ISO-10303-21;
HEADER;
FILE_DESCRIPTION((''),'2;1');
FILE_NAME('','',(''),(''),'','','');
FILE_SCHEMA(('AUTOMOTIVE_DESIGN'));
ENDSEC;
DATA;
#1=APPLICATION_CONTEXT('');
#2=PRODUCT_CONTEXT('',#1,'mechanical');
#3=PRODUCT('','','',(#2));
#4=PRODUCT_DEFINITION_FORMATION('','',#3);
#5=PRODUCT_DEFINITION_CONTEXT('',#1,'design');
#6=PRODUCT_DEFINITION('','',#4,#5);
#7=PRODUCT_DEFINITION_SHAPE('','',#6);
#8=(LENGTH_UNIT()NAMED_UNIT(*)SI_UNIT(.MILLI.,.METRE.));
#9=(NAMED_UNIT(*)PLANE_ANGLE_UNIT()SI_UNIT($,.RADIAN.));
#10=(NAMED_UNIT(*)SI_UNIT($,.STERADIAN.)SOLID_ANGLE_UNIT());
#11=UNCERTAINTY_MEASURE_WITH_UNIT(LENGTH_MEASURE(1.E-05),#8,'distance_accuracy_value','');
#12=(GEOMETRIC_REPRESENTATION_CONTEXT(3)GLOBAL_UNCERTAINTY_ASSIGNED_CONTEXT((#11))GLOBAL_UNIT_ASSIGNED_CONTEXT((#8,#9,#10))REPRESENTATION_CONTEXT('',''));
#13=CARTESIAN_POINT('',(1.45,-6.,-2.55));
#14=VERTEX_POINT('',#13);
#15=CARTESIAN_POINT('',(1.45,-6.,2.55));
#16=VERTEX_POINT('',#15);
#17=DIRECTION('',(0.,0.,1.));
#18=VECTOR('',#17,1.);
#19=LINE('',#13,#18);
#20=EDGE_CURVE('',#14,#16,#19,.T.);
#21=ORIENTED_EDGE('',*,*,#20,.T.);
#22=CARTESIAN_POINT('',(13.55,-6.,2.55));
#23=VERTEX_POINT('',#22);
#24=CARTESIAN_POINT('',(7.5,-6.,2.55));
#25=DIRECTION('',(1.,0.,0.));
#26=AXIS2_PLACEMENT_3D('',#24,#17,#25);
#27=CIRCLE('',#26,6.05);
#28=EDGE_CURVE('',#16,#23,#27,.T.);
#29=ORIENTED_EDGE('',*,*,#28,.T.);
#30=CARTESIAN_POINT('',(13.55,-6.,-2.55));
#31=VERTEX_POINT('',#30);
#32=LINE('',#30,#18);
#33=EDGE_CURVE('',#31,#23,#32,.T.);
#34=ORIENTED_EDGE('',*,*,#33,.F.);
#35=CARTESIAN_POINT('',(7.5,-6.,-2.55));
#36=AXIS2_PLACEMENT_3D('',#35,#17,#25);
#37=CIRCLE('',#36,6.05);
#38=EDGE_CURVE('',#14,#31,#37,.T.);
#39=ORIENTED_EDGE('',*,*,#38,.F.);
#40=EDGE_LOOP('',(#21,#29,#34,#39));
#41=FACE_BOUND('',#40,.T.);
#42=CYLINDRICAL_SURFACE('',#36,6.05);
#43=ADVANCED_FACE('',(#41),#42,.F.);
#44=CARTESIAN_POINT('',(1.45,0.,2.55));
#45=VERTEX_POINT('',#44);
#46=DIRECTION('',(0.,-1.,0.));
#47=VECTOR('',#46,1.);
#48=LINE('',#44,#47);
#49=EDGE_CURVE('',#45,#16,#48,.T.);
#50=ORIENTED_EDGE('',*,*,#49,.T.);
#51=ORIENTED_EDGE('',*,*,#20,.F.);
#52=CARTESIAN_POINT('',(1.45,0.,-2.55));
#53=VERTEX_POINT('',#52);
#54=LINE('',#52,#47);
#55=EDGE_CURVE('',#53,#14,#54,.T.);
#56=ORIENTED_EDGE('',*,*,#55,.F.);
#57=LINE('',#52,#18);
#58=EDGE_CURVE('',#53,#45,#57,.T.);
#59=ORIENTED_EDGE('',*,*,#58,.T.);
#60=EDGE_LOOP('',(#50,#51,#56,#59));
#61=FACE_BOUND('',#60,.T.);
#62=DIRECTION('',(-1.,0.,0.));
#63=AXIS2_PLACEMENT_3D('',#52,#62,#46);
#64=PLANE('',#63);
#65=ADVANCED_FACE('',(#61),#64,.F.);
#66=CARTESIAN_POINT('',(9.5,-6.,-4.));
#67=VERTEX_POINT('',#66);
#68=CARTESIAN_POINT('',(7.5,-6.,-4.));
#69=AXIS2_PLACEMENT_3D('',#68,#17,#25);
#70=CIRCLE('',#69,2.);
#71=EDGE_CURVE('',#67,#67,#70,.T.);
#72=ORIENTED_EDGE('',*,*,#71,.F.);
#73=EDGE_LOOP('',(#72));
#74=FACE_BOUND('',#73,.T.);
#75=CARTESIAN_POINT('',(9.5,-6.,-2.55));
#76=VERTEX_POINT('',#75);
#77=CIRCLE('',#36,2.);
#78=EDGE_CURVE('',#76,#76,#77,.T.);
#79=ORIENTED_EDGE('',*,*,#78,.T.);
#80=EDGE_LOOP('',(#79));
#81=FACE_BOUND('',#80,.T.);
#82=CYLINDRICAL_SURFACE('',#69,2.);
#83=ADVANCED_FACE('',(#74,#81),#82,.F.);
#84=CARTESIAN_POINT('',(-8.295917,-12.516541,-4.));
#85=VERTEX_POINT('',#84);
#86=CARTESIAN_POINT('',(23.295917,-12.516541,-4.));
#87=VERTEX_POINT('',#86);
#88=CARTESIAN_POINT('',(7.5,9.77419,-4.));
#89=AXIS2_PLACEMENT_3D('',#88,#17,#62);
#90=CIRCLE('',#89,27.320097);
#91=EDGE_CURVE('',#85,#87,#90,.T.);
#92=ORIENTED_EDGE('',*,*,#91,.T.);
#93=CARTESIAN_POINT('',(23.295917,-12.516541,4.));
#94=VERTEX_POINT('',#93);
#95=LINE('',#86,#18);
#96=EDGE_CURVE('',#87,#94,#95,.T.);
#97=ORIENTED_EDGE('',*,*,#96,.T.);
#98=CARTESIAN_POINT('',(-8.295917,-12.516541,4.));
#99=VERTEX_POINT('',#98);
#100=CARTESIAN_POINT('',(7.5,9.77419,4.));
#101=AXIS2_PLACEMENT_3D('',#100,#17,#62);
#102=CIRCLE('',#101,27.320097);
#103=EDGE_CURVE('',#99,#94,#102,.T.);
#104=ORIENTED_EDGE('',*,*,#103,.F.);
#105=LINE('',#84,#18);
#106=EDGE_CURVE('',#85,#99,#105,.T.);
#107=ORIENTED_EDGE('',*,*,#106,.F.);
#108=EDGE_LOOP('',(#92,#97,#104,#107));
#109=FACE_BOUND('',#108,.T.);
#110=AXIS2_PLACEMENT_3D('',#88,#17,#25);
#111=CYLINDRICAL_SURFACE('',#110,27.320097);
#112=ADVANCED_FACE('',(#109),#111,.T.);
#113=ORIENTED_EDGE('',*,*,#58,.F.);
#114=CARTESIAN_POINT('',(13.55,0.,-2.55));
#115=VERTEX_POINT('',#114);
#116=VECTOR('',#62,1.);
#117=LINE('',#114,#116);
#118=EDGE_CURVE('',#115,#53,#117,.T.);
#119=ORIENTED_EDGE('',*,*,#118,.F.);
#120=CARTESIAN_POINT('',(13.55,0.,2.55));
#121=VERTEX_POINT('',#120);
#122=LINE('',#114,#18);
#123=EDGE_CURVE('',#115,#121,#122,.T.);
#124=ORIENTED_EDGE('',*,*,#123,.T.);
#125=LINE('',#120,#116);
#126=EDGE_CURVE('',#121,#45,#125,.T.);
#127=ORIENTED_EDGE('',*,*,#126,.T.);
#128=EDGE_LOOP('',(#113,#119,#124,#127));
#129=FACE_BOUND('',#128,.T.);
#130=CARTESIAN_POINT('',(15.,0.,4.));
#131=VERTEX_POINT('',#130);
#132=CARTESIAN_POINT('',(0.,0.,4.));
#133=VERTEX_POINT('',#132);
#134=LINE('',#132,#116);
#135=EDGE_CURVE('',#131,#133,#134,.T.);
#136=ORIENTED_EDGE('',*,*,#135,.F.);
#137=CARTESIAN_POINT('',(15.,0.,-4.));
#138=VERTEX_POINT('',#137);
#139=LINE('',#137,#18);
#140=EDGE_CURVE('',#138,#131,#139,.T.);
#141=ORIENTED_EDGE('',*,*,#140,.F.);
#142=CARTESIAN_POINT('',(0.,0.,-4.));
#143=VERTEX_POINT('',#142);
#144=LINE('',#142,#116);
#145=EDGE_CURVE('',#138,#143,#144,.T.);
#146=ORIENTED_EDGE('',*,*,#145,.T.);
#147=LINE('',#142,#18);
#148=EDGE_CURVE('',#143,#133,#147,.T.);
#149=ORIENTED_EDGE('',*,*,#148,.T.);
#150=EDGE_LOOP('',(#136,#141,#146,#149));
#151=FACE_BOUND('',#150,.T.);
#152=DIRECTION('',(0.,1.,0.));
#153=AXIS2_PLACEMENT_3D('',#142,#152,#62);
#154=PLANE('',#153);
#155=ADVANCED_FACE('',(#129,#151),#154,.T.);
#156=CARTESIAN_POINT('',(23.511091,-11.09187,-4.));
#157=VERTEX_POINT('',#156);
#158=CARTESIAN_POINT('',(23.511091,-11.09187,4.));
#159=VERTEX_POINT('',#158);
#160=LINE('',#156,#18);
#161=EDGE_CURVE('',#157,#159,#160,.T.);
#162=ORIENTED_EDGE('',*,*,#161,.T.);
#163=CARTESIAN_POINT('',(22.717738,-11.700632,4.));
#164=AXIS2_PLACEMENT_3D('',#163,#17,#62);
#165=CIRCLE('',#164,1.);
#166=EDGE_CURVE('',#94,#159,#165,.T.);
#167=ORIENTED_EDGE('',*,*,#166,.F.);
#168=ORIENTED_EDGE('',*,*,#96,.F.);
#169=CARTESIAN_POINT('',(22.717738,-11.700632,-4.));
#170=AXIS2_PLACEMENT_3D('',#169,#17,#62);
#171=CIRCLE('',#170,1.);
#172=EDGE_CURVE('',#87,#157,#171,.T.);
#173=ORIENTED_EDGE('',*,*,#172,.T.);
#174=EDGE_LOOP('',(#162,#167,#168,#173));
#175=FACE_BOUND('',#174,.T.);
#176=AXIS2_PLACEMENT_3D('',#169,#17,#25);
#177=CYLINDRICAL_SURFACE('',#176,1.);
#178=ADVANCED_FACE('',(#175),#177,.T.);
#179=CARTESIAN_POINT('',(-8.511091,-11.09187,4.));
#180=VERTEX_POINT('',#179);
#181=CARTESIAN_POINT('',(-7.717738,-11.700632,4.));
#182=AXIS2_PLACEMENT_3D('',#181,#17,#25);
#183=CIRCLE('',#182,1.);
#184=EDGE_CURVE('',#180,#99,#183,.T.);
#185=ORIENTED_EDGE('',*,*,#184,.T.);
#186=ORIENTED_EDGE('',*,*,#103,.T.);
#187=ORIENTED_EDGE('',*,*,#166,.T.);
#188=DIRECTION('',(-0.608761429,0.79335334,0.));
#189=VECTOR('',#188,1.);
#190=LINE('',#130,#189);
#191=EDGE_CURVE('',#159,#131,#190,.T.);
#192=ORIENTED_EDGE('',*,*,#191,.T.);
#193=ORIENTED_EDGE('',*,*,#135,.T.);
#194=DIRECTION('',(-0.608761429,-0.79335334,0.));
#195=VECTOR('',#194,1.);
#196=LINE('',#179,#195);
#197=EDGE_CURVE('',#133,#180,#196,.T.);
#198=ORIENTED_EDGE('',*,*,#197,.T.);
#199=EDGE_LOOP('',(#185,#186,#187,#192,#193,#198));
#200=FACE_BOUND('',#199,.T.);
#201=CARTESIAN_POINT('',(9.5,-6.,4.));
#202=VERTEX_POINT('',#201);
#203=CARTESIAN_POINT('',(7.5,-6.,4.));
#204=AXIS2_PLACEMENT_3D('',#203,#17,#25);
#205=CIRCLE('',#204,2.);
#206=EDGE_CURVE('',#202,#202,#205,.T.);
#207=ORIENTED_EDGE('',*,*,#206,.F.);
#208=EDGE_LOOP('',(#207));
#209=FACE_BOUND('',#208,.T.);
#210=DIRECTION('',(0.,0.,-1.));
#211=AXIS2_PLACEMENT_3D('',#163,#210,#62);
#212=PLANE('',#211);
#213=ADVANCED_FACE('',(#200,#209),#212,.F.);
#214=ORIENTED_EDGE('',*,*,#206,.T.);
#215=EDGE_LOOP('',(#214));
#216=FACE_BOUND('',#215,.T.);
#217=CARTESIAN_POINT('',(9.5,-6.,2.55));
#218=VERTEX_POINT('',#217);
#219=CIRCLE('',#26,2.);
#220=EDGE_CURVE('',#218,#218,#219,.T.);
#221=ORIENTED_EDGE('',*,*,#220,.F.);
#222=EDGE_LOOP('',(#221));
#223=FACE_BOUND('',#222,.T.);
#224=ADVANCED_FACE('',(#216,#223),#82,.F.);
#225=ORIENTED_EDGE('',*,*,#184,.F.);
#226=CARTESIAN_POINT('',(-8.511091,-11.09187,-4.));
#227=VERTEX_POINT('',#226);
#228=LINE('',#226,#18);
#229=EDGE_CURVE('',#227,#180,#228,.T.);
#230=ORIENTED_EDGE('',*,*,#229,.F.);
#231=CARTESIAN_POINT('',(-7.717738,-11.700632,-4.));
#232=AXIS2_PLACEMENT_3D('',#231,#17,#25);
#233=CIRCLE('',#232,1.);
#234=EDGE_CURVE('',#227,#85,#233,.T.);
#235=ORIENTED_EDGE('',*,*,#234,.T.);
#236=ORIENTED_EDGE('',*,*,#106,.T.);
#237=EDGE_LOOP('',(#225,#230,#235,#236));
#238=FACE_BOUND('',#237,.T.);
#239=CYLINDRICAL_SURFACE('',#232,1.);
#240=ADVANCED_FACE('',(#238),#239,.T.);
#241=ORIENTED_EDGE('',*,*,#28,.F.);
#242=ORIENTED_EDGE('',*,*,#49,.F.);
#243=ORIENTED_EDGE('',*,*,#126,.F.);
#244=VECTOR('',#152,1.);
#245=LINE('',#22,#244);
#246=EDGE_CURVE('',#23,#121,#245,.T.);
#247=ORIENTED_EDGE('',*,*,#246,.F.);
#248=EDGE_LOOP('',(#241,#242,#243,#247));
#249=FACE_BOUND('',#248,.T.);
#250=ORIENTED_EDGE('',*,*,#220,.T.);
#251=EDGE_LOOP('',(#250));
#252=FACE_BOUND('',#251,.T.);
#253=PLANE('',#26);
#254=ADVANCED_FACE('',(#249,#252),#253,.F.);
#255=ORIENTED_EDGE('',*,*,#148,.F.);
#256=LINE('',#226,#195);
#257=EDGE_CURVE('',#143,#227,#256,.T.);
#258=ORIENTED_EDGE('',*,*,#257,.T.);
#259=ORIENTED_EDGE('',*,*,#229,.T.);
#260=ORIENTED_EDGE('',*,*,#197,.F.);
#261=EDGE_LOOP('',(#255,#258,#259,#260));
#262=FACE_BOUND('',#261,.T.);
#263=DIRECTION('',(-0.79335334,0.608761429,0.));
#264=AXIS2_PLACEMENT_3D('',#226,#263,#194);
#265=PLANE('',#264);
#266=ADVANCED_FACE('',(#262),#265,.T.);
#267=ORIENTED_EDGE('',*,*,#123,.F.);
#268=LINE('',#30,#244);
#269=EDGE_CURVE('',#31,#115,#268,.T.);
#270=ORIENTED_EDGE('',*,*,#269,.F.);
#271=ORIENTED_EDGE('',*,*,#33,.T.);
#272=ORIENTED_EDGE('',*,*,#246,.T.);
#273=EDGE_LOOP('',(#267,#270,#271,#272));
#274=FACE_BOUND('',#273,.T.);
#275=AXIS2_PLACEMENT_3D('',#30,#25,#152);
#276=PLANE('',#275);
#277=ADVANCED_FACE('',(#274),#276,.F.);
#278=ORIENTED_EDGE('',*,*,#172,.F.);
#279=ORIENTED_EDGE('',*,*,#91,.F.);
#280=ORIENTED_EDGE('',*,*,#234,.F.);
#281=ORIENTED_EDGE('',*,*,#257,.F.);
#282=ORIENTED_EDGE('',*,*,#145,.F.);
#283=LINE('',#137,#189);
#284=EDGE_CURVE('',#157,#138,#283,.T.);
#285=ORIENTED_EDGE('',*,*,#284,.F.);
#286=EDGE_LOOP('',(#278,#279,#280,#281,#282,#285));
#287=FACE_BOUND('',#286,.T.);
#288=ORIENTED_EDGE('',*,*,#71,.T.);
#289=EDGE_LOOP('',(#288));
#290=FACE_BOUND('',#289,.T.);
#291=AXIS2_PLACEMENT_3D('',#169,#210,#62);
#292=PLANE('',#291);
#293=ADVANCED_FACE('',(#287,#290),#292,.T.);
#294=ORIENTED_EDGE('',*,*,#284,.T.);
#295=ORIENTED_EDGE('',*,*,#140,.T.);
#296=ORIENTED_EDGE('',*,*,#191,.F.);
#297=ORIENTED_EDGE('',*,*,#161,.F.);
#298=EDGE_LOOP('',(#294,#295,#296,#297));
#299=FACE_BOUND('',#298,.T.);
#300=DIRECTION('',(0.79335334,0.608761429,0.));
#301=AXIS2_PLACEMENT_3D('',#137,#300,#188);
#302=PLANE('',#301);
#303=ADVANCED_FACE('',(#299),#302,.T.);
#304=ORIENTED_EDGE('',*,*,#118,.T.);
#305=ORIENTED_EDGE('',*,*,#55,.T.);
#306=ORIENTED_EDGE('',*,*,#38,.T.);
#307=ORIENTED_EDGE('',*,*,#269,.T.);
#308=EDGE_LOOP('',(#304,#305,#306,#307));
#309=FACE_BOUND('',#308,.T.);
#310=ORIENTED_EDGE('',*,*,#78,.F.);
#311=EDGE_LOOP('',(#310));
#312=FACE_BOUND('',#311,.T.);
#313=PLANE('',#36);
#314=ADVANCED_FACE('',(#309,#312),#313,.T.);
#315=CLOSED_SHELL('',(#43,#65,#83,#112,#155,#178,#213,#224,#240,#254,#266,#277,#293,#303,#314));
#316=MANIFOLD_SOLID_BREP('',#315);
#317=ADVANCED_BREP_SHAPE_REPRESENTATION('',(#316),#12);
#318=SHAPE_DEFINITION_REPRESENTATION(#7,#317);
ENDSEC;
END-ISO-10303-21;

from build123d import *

# Parameters (mm, degrees)
EXTRUDE_1_DEPTH     = 4
CUT_EXTRUDE_1_DEPTH = 2.55
SKETCH_3_R          = 2
CUT_EXTRUDE_2_DEPTH = 31.567792564


with BuildPart() as part:
    # 草图1 → 凸台-拉伸1 (new, symmetric)
    with BuildSketch(Plane.XY):
        with BuildLine():
            Line((0, 0), (15, 0))
            Line((15, 0), (23.511091256, -11.091870075))
            ThreePointArc((23.511091256, -11.091870075), (23.706523759, -11.849971903), (23.295917311, -12.516541172))
            ThreePointArc((23.295917311, -12.516541172), (7.5, -17.545906941), (-8.295917311, -12.516541172))
            ThreePointArc((-8.295917311, -12.516541172), (-8.706523759, -11.849971903), (-8.511091256, -11.091870075))
            Line((-8.511091256, -11.091870075), (0, 0))
        make_face()
    extrude(amount=EXTRUDE_1_DEPTH, both=True)

    # 草图2 → 切除-拉伸1 (cut, symmetric)
    with BuildSketch(Plane.XY):
        with BuildLine():
            Line((1.45, 0), (1.45, -6))
            ThreePointArc((1.45, -6), (7.5, -12.05), (13.55, -6))
            Line((13.55, -6), (13.55, 0))
            Line((13.55, 0), (1.45, 0))
        make_face()
    extrude(amount=CUT_EXTRUDE_1_DEPTH, both=True, mode=Mode.SUBTRACT)

    # 草图3 → 切除-拉伸2 (cut, through all)
    with BuildSketch(Plane.XY.offset(4)):
        with Locations((7.5, -6)):
            Circle(SKETCH_3_R)
    extrude(amount=-CUT_EXTRUDE_2_DEPTH, mode=Mode.SUBTRACT)


solid = part.part
